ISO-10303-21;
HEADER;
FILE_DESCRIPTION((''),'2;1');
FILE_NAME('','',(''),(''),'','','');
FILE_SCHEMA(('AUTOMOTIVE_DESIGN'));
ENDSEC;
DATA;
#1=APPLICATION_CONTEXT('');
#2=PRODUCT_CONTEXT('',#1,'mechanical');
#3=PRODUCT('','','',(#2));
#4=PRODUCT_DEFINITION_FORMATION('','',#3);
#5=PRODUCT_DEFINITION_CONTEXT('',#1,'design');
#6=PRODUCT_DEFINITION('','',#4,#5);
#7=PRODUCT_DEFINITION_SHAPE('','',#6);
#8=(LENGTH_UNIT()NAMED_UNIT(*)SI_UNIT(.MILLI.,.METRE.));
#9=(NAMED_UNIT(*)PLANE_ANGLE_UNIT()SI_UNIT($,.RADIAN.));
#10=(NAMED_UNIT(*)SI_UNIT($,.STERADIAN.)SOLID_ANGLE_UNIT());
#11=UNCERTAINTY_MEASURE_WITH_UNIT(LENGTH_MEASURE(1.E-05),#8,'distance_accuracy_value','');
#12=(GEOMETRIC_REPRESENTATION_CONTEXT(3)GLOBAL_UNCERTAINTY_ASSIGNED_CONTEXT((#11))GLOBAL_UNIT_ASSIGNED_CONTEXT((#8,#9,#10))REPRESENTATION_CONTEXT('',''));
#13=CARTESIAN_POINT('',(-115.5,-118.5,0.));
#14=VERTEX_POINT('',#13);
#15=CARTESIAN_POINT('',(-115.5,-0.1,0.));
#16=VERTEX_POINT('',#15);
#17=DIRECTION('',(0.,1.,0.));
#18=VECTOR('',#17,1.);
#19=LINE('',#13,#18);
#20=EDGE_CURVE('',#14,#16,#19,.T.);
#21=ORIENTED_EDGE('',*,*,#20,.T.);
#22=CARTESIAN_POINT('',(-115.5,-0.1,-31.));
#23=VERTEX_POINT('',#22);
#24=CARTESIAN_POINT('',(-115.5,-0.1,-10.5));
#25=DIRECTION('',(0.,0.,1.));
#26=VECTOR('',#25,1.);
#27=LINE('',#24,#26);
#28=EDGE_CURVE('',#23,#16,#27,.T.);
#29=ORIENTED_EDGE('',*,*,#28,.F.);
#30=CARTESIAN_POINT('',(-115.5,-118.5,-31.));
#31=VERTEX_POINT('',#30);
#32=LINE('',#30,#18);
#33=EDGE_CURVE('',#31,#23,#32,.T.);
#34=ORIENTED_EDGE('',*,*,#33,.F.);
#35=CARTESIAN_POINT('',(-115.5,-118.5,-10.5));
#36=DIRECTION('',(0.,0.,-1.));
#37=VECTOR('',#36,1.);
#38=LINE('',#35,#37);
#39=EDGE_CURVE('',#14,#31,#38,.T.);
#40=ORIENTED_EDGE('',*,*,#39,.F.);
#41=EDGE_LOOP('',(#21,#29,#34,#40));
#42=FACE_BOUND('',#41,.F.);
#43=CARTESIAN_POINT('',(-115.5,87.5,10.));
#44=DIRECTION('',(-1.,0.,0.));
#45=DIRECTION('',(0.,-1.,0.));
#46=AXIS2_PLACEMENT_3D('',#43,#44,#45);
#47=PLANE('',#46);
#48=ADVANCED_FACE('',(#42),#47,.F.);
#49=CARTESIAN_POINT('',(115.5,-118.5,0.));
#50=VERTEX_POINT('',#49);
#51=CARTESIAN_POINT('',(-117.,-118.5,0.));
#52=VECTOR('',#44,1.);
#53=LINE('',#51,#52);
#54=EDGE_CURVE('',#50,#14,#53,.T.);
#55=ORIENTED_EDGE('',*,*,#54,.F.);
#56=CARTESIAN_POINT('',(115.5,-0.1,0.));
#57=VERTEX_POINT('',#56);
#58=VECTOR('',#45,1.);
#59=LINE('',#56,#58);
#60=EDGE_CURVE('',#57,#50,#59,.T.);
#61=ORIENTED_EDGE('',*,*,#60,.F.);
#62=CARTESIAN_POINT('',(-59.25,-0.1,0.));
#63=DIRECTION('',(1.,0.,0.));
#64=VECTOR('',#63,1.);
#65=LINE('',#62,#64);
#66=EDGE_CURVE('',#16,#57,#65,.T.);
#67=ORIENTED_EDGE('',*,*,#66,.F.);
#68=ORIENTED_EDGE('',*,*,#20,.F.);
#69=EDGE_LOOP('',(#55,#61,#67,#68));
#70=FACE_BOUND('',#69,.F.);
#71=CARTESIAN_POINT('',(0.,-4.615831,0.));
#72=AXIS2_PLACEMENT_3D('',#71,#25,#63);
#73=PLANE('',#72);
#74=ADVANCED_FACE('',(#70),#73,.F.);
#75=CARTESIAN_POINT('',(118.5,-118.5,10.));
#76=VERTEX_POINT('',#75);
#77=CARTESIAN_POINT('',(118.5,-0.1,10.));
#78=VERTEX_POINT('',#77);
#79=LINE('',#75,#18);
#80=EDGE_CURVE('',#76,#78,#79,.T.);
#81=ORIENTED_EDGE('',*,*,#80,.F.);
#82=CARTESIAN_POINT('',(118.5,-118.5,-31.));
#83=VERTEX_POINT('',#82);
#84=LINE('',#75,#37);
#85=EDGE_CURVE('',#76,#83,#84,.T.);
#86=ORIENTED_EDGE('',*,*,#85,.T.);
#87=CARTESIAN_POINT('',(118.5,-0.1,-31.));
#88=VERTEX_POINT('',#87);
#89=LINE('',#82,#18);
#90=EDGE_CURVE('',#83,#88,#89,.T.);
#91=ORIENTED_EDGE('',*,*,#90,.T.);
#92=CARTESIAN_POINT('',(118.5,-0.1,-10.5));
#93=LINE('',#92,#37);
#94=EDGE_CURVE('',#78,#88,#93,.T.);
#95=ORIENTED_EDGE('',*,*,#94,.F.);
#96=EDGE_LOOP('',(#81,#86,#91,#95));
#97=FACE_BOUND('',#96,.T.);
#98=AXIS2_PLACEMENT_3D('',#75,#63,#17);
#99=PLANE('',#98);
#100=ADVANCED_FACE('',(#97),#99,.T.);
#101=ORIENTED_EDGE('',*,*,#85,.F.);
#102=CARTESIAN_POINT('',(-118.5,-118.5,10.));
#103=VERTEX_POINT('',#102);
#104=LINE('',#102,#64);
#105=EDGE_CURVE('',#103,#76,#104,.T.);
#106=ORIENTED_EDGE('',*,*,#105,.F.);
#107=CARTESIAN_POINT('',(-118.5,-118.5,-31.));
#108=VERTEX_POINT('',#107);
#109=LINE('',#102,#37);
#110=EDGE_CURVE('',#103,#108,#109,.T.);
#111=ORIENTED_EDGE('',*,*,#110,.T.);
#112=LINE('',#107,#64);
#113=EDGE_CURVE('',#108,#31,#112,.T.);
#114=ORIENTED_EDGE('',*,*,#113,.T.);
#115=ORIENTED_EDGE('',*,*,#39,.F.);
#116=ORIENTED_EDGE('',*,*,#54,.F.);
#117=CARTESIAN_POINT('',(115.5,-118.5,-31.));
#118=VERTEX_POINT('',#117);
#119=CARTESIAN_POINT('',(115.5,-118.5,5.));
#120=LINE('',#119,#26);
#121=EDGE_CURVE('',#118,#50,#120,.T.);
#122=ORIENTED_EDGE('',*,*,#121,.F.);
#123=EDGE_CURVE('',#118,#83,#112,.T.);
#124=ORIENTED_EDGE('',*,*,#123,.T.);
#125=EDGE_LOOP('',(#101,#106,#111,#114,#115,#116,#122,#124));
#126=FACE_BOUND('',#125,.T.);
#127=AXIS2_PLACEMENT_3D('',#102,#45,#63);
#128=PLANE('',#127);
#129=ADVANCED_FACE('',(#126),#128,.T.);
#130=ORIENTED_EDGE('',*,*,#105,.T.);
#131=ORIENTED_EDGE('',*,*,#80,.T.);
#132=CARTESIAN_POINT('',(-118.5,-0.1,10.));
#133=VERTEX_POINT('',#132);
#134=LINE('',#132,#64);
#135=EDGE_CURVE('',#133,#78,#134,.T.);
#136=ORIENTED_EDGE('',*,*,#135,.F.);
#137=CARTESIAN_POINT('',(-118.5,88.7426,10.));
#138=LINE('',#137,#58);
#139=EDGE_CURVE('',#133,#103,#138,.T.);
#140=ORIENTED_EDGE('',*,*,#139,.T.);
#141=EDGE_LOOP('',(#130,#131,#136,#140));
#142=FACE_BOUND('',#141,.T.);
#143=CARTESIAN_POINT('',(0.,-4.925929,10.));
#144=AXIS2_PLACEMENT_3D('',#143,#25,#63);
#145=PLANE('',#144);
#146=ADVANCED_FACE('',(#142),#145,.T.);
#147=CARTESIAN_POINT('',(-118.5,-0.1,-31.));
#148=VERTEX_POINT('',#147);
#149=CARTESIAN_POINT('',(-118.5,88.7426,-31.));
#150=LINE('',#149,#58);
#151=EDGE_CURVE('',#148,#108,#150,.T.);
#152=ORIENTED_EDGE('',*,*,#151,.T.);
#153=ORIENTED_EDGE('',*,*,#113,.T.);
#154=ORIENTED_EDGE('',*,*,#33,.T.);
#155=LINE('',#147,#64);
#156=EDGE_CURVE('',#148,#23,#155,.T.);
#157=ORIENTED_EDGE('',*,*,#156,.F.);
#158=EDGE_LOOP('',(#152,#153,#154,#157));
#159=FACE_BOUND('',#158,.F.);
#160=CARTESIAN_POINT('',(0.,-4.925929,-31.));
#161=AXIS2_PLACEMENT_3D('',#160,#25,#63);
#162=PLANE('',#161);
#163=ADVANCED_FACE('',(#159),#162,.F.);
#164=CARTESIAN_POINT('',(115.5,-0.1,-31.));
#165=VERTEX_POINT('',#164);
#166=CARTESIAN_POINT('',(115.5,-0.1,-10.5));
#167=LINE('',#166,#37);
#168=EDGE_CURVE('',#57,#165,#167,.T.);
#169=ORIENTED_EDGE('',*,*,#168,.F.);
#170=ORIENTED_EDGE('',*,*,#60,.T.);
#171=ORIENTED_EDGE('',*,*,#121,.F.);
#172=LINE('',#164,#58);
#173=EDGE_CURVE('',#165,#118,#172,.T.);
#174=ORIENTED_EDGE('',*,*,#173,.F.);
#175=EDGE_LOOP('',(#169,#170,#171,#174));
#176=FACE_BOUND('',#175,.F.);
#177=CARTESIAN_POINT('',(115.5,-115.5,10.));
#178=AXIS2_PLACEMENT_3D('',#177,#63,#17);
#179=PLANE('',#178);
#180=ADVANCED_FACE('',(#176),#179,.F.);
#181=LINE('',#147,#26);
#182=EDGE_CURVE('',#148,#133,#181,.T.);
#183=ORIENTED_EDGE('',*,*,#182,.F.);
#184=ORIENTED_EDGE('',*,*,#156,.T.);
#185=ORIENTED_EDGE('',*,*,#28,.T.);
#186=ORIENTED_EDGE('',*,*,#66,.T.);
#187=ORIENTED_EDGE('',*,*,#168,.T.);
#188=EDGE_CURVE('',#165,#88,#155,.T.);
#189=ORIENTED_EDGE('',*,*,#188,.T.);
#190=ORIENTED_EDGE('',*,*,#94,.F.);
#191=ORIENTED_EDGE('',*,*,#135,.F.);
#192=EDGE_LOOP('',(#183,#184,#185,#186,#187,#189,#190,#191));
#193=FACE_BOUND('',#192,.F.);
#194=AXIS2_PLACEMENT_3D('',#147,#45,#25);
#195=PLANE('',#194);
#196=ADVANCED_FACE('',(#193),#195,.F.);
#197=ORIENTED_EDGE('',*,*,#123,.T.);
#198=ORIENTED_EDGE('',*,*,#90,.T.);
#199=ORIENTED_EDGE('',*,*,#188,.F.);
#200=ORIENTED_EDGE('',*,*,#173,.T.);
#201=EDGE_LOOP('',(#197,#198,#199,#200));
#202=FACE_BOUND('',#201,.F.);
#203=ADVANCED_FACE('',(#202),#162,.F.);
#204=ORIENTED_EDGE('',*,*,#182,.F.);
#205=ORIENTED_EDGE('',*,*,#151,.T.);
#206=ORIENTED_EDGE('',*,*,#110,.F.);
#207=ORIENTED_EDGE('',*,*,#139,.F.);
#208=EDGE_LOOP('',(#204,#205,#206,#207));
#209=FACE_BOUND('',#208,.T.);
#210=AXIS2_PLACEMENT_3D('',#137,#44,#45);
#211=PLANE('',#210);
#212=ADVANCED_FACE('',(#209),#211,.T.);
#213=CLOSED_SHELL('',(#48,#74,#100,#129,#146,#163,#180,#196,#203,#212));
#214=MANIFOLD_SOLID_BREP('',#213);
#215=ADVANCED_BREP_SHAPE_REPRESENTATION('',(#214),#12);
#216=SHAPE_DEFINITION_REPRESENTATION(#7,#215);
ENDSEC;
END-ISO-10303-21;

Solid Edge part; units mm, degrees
sketch "Sketch1" plane through (0, 0, 0) normal (0, 0, 1) x (1, 0, 0)
  line L0 (-115.5, -115.5) -> (115.5, -115.5)
  line L1 (115.5, -115.5) -> (115.5, 87.5)
  line L2 (115.5, 87.5) -> (87.5, 115.5)
  line L3 (87.5, 115.5) -> (-87.5, 115.5)
  line L4 (-87.5, 115.5) -> (-115.5, 87.5)
  line L5 (-115.5, 87.5) -> (-115.5, -115.5)
extrude "Protrusion1" add sketch "Sketch1" along normal blind 10
sketch "Sketch2" plane through (0, 0, 10) normal (0, 0, 1) x (1, 0, 0)
  line L0 (88.7426, 118.5) -> (-88.7426, 118.5)
  line L1 (-88.7426, 118.5) -> (-118.5, 88.7426)
  line L2 (-118.5, 88.7426) -> (-118.5, -118.5)
  line L3 (-118.5, -118.5) -> (118.5, -118.5)
  line L4 (118.5, -118.5) -> (118.5, 88.7426)
  line L5 (118.5, 88.7426) -> (88.7426, 118.5)
  line L6 (87.5, 115.5) -> (-87.5, 115.5)
  line L7 (-87.5, 115.5) -> (-115.5, 87.5)
  line L8 (-115.5, 87.5) -> (-115.5, -115.5)
  line L9 (-115.5, -115.5) -> (115.5, -115.5)
  line L10 (115.5, -115.5) -> (115.5, 87.5)
  line L11 (115.5, 87.5) -> (87.5, 115.5)
  dimension "D1" = 3
  dimension "D2" = 3
extrude "Protrusion2" add sketch "Sketch2" against normal blind 41
sketch "Sketch3" plane through (-118.5, -14.8787, -10.5) normal (-1, 0, 0) x (0, -1, 0)
  line L0 (-133.3787, -20.5) -> (-14.7787, -20.5)
  line L1 (-14.7787, -20.5) -> (-14.7787, 20.5)
  line L2 (-14.7787, 20.5) -> (-133.3787, 20.5)
  line L3 (-133.3787, 20.5) -> (-133.3787, -20.5)
extrude "Cutout1" cut sketch "Sketch3" against normal blind 400
sketch "Sketch4" plane through (0, -115.5, -15.5) normal (0, 1, 0) x (-1, 0, 0)
  line L0 (-115.5, -15.5) -> (115.5, -15.5)
  line L1 (115.5, -15.5) -> (115.5, 15.5)
  line L2 (115.5, 15.5) -> (-115.5, 15.5)
  line L3 (-115.5, 15.5) -> (-115.5, -15.5)
extrude "Cutout2" cut sketch "Sketch4" against normal blind 70
